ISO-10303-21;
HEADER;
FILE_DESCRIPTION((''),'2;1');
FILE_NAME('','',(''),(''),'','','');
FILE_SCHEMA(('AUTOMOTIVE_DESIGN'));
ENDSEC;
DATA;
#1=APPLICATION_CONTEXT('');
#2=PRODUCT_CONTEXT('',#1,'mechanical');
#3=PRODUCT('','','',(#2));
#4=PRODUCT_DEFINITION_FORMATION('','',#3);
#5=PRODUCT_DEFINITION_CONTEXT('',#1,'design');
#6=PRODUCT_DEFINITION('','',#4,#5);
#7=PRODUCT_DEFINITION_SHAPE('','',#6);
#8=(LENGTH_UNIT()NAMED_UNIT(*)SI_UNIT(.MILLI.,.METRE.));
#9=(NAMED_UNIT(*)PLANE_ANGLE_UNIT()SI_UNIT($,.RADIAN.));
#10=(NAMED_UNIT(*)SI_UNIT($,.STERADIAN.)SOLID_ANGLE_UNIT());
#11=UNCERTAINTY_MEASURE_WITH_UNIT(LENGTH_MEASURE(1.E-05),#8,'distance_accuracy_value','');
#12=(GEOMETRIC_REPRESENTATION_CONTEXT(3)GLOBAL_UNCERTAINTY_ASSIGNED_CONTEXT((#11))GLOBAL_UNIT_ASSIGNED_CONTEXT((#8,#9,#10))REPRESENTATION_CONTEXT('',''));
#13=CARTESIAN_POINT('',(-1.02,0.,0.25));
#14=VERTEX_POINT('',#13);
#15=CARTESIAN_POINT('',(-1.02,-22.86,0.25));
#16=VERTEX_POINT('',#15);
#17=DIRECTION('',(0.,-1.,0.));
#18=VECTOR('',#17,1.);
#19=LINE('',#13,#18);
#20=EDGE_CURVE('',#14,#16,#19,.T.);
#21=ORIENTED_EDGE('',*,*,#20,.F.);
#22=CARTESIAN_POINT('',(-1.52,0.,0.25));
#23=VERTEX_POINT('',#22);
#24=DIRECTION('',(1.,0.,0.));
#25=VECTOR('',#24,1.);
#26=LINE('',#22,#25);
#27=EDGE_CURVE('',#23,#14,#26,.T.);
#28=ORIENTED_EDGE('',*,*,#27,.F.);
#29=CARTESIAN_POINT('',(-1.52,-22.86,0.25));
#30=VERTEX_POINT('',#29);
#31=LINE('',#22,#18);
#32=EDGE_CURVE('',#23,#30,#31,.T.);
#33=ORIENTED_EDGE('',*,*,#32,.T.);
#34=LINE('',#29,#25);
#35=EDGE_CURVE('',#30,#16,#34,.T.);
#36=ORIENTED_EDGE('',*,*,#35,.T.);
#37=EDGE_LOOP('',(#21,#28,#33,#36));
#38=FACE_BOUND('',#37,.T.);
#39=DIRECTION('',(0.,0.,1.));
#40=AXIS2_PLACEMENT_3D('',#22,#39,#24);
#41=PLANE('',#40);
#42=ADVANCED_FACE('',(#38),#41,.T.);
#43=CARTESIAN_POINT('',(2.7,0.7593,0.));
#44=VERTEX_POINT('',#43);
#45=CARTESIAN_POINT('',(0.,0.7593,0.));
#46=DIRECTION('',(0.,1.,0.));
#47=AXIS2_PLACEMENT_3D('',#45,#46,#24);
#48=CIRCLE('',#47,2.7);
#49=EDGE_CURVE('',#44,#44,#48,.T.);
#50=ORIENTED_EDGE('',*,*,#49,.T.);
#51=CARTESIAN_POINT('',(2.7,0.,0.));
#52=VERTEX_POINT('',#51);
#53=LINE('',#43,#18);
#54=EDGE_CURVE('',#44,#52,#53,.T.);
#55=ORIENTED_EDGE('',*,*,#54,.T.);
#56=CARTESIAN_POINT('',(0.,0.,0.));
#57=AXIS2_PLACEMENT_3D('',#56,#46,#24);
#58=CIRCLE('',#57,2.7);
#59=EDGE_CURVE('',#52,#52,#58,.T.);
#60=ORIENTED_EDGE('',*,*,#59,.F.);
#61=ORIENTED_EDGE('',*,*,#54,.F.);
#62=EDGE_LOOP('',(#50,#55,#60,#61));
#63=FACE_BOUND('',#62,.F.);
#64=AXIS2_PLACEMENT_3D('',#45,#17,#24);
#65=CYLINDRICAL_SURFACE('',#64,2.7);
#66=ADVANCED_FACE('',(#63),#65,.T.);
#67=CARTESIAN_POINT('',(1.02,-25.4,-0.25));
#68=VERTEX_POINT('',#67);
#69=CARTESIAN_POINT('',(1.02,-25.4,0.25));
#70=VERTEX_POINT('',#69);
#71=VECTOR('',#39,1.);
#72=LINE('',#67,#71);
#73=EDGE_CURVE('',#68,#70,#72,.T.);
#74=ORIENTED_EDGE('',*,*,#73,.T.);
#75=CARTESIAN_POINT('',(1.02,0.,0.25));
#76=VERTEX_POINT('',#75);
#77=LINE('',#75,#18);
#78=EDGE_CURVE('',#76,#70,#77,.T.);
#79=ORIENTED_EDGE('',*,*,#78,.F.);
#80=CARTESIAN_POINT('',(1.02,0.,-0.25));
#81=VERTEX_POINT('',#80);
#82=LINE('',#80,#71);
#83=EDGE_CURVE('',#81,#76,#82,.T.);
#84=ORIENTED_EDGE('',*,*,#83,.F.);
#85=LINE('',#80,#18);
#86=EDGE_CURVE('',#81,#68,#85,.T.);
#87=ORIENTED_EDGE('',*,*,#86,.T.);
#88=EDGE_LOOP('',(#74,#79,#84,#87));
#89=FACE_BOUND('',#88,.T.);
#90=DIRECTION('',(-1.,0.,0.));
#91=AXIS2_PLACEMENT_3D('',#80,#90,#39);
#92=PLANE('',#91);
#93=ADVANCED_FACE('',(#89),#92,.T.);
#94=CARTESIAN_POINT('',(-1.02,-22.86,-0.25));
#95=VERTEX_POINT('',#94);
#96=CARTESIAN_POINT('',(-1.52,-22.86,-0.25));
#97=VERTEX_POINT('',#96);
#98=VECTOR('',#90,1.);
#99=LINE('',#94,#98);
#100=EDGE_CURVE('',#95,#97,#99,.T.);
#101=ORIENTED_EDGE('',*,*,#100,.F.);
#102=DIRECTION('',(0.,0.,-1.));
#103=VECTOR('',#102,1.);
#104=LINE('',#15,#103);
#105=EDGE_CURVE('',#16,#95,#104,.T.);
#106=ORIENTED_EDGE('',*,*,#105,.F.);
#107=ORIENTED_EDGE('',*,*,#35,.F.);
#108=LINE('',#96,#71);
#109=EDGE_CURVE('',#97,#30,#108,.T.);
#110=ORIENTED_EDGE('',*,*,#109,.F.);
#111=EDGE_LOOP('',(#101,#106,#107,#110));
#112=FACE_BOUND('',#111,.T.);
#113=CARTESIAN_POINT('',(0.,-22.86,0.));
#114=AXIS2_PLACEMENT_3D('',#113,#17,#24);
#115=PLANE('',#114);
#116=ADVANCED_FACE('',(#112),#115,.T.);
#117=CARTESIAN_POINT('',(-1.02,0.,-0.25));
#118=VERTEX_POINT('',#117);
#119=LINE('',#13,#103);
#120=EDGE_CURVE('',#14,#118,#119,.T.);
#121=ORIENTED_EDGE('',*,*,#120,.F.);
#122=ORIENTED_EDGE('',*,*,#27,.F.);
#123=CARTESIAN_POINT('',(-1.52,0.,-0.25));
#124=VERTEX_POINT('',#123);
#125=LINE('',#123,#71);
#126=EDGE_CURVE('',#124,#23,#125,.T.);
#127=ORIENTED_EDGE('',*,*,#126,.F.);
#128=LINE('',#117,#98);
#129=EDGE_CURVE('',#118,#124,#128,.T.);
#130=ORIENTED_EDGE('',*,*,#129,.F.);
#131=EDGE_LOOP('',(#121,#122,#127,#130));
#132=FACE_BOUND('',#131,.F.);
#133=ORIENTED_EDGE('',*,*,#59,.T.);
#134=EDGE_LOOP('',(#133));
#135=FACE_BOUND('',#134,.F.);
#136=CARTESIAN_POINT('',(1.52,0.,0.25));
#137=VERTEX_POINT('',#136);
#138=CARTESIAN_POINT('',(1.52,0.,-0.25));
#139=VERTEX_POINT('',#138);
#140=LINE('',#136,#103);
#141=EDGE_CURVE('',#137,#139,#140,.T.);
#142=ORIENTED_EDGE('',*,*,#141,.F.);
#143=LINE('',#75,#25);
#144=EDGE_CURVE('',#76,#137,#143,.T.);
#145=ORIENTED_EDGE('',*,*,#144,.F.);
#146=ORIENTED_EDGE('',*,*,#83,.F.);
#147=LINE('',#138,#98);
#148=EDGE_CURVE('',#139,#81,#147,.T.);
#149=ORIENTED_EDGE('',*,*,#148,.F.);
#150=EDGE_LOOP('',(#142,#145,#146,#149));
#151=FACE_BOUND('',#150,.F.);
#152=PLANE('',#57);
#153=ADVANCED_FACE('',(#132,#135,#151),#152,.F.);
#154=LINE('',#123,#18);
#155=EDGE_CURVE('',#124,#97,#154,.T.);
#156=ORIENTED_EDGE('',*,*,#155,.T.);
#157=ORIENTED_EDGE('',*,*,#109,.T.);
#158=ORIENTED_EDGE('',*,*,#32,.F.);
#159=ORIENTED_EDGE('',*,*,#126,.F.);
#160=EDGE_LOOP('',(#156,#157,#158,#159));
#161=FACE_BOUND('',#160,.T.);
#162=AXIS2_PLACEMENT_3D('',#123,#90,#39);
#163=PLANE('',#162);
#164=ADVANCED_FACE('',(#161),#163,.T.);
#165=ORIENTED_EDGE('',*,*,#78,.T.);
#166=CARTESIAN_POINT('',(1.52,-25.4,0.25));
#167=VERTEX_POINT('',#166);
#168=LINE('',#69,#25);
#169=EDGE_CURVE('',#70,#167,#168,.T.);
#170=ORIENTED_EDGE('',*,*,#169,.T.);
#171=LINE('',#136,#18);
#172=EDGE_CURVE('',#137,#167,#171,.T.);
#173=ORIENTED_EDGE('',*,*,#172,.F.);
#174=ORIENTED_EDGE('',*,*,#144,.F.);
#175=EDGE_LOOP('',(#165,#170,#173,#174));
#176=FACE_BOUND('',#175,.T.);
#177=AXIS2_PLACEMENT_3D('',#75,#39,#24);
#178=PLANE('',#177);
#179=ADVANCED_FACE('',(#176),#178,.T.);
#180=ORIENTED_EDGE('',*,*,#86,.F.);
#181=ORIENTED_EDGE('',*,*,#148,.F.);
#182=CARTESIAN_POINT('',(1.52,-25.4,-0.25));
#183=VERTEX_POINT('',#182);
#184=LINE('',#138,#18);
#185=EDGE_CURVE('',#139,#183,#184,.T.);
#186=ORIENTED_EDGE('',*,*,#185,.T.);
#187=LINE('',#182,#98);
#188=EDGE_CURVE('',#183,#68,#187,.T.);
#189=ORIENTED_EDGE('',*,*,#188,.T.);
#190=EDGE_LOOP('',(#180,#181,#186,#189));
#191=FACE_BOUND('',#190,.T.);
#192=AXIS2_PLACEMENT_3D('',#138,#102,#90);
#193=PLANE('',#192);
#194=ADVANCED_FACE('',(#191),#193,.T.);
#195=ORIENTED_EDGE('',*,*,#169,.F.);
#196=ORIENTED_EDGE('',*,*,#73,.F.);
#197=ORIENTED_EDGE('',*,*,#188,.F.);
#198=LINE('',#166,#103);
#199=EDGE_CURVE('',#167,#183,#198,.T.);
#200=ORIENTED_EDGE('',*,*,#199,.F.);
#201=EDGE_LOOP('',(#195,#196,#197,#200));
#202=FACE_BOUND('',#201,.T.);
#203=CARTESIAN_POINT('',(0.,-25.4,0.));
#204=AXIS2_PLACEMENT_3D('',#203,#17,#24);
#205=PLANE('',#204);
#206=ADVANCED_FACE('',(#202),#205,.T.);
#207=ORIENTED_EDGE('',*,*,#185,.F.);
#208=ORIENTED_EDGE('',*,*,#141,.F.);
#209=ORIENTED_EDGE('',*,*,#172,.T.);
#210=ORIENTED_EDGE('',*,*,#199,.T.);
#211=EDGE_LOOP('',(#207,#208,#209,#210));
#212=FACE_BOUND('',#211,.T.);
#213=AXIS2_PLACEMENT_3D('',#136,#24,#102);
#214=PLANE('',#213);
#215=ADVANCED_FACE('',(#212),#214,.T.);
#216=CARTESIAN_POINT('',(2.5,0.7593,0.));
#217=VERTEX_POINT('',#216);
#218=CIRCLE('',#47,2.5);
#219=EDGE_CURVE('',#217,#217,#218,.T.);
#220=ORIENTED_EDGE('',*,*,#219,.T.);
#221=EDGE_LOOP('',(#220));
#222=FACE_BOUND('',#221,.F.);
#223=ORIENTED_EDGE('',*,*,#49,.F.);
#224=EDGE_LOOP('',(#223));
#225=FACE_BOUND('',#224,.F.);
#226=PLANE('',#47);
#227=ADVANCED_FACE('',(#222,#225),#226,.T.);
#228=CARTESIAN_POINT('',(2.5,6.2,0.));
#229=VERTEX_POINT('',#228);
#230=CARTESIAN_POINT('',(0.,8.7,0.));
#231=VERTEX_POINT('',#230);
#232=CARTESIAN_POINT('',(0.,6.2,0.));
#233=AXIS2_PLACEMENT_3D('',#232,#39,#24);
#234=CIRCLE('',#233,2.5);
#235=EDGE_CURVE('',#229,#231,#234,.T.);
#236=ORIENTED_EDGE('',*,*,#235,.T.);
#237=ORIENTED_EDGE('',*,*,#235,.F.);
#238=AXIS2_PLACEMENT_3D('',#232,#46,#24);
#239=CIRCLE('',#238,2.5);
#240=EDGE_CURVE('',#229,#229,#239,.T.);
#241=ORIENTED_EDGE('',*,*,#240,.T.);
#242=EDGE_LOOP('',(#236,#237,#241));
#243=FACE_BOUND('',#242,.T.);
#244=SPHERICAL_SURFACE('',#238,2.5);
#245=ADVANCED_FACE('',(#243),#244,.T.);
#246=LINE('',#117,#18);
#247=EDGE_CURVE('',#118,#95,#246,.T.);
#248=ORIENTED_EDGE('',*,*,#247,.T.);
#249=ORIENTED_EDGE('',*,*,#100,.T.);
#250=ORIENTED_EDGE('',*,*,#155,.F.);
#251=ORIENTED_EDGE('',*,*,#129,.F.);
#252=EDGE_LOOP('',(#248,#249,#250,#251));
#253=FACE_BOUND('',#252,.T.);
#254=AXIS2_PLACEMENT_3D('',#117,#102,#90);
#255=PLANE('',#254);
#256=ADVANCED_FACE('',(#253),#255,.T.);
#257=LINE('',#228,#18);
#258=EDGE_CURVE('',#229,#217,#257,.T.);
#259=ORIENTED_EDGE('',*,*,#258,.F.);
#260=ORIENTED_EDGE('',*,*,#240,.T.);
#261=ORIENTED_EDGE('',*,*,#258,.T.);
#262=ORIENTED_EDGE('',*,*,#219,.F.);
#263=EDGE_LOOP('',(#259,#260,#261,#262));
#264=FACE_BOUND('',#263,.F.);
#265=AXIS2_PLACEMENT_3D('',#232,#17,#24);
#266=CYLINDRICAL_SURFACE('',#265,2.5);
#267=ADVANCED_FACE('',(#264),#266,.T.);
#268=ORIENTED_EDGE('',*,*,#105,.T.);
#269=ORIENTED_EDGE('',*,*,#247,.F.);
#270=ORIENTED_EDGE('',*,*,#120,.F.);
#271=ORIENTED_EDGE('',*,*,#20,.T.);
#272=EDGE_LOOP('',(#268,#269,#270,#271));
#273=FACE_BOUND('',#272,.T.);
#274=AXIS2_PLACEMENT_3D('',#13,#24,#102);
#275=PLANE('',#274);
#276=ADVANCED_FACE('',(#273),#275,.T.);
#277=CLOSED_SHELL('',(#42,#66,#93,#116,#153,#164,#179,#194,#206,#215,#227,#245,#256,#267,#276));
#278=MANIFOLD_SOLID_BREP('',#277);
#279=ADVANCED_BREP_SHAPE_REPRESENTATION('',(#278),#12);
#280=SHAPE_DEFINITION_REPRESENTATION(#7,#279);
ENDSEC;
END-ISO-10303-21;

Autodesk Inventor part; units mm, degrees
ref_plane "YZ Plane" through (0, 0, 0) normal (1, 0, 0) x (0, 1, 0)
ref_plane "XZ Plane" through (0, 0, 0) normal (0, 1, 0) x (-1, 0, 0)
ref_plane "XY Plane" through (0, 0, 0) normal (0, 0, 1) x (1, 0, 0)
sketch "Sketch1" plane through (0, 0, 0) normal (0, 0, 1) x (1, 0, 0)
  line L0 (0, 0) -> (0, 8.7)
  arc A0 (2.5, 6.2) -> (0, 8.7) centre (0, 6.2) ccw
  line L1 (2.5, 6.2) -> (2.5, 0.7593)
  line L2 (2.5, 0.7593) -> (2.7, 0.7593)
  line L3 (2.7, 0.7593) -> (2.7, 0)
  line L4 (2.7, 0) -> (0, 0)
  dimension "d0" = 5
  dimension "d1" = 0.2
  dimension "d2" = 8.7
  dimension "d3" = 0.7593
revolve "Revolution1" add sketch "Sketch1" angle 360 about axis through (0, 0, 0) along (0, 1, 0)
sketch "Sketch2" plane through (0, 0, 0) normal (0, -1, 0) x (1, 0, 0)
  line L0 (-1.52, 0.25) -> (-1.02, 0.25)
  line L1 (-1.02, 0.25) -> (-1.02, -0.25)
  line L2 (-1.02, -0.25) -> (-1.52, -0.25)
  line L3 (-1.52, -0.25) -> (-1.52, 0.25)
  line L4 (1.02, 0.25) -> (1.52, 0.25)
  line L5 (1.52, 0.25) -> (1.52, -0.25)
  line L6 (1.52, -0.25) -> (1.02, -0.25)
  line L7 (1.02, -0.25) -> (1.02, 0.25)
  point P0 (0, 0)
  point P1 (1.02, 0)
  dimension "d5" = 2.54
  dimension "d6" = 1.02
  dimension "d7" = 1.02
  dimension "d8" = 0.5
extrude "Extrusion1" add sketch "Sketch2" along normal blind 25.4 contours L4 L5 L6 L7
extrude "Extrusion2" add sketch "Sketch2" along normal blind 22.86 contours L0 L1 L2 L3
equation "\"d6\" = d7"
properties part number "LED"
